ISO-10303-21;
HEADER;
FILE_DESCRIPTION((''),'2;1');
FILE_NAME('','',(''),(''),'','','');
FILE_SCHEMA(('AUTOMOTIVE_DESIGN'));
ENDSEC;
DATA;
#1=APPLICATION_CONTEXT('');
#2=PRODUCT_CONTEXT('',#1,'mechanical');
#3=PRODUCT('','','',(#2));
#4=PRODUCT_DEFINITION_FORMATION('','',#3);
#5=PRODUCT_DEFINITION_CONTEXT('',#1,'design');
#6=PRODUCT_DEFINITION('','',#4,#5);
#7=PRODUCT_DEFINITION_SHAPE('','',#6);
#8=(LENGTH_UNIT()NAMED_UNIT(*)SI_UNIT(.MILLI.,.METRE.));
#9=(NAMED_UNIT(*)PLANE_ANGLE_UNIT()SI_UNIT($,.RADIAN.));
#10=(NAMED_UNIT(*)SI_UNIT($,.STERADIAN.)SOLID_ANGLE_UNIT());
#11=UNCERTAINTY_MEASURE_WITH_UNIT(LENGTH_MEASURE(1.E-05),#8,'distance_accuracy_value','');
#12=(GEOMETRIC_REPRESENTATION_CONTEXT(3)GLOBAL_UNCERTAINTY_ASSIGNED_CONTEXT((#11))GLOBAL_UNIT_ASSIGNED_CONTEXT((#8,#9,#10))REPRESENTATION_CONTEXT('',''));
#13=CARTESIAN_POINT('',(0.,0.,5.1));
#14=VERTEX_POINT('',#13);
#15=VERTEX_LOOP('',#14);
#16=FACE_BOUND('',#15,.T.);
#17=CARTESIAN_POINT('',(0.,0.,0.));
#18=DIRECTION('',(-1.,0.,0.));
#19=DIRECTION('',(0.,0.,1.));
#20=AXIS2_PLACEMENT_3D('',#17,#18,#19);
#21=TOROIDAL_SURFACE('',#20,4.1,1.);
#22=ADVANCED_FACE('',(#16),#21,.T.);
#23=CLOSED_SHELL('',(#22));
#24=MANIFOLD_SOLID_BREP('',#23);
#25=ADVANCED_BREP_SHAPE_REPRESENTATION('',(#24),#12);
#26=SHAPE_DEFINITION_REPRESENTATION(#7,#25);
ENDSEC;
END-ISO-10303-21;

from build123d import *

# Parameters (mm, degrees)
SZKIC3_R = 1


with BuildPart() as part:
    # Szkic3 → Obrót1 (revolve)
    with BuildSketch(Plane.XY, mode=Mode.PRIVATE) as obr_t1_sk:
        with Locations((0, 4.1)):
            Circle(SZKIC3_R)
    revolve(obr_t1_sk.sketch.rotate(Axis((-10.891403296, 0, 0), (1, 0, 0)), 90), axis=Axis((-10.891403296, 0, 0), (1, 0, 0)))


solid = part.part
